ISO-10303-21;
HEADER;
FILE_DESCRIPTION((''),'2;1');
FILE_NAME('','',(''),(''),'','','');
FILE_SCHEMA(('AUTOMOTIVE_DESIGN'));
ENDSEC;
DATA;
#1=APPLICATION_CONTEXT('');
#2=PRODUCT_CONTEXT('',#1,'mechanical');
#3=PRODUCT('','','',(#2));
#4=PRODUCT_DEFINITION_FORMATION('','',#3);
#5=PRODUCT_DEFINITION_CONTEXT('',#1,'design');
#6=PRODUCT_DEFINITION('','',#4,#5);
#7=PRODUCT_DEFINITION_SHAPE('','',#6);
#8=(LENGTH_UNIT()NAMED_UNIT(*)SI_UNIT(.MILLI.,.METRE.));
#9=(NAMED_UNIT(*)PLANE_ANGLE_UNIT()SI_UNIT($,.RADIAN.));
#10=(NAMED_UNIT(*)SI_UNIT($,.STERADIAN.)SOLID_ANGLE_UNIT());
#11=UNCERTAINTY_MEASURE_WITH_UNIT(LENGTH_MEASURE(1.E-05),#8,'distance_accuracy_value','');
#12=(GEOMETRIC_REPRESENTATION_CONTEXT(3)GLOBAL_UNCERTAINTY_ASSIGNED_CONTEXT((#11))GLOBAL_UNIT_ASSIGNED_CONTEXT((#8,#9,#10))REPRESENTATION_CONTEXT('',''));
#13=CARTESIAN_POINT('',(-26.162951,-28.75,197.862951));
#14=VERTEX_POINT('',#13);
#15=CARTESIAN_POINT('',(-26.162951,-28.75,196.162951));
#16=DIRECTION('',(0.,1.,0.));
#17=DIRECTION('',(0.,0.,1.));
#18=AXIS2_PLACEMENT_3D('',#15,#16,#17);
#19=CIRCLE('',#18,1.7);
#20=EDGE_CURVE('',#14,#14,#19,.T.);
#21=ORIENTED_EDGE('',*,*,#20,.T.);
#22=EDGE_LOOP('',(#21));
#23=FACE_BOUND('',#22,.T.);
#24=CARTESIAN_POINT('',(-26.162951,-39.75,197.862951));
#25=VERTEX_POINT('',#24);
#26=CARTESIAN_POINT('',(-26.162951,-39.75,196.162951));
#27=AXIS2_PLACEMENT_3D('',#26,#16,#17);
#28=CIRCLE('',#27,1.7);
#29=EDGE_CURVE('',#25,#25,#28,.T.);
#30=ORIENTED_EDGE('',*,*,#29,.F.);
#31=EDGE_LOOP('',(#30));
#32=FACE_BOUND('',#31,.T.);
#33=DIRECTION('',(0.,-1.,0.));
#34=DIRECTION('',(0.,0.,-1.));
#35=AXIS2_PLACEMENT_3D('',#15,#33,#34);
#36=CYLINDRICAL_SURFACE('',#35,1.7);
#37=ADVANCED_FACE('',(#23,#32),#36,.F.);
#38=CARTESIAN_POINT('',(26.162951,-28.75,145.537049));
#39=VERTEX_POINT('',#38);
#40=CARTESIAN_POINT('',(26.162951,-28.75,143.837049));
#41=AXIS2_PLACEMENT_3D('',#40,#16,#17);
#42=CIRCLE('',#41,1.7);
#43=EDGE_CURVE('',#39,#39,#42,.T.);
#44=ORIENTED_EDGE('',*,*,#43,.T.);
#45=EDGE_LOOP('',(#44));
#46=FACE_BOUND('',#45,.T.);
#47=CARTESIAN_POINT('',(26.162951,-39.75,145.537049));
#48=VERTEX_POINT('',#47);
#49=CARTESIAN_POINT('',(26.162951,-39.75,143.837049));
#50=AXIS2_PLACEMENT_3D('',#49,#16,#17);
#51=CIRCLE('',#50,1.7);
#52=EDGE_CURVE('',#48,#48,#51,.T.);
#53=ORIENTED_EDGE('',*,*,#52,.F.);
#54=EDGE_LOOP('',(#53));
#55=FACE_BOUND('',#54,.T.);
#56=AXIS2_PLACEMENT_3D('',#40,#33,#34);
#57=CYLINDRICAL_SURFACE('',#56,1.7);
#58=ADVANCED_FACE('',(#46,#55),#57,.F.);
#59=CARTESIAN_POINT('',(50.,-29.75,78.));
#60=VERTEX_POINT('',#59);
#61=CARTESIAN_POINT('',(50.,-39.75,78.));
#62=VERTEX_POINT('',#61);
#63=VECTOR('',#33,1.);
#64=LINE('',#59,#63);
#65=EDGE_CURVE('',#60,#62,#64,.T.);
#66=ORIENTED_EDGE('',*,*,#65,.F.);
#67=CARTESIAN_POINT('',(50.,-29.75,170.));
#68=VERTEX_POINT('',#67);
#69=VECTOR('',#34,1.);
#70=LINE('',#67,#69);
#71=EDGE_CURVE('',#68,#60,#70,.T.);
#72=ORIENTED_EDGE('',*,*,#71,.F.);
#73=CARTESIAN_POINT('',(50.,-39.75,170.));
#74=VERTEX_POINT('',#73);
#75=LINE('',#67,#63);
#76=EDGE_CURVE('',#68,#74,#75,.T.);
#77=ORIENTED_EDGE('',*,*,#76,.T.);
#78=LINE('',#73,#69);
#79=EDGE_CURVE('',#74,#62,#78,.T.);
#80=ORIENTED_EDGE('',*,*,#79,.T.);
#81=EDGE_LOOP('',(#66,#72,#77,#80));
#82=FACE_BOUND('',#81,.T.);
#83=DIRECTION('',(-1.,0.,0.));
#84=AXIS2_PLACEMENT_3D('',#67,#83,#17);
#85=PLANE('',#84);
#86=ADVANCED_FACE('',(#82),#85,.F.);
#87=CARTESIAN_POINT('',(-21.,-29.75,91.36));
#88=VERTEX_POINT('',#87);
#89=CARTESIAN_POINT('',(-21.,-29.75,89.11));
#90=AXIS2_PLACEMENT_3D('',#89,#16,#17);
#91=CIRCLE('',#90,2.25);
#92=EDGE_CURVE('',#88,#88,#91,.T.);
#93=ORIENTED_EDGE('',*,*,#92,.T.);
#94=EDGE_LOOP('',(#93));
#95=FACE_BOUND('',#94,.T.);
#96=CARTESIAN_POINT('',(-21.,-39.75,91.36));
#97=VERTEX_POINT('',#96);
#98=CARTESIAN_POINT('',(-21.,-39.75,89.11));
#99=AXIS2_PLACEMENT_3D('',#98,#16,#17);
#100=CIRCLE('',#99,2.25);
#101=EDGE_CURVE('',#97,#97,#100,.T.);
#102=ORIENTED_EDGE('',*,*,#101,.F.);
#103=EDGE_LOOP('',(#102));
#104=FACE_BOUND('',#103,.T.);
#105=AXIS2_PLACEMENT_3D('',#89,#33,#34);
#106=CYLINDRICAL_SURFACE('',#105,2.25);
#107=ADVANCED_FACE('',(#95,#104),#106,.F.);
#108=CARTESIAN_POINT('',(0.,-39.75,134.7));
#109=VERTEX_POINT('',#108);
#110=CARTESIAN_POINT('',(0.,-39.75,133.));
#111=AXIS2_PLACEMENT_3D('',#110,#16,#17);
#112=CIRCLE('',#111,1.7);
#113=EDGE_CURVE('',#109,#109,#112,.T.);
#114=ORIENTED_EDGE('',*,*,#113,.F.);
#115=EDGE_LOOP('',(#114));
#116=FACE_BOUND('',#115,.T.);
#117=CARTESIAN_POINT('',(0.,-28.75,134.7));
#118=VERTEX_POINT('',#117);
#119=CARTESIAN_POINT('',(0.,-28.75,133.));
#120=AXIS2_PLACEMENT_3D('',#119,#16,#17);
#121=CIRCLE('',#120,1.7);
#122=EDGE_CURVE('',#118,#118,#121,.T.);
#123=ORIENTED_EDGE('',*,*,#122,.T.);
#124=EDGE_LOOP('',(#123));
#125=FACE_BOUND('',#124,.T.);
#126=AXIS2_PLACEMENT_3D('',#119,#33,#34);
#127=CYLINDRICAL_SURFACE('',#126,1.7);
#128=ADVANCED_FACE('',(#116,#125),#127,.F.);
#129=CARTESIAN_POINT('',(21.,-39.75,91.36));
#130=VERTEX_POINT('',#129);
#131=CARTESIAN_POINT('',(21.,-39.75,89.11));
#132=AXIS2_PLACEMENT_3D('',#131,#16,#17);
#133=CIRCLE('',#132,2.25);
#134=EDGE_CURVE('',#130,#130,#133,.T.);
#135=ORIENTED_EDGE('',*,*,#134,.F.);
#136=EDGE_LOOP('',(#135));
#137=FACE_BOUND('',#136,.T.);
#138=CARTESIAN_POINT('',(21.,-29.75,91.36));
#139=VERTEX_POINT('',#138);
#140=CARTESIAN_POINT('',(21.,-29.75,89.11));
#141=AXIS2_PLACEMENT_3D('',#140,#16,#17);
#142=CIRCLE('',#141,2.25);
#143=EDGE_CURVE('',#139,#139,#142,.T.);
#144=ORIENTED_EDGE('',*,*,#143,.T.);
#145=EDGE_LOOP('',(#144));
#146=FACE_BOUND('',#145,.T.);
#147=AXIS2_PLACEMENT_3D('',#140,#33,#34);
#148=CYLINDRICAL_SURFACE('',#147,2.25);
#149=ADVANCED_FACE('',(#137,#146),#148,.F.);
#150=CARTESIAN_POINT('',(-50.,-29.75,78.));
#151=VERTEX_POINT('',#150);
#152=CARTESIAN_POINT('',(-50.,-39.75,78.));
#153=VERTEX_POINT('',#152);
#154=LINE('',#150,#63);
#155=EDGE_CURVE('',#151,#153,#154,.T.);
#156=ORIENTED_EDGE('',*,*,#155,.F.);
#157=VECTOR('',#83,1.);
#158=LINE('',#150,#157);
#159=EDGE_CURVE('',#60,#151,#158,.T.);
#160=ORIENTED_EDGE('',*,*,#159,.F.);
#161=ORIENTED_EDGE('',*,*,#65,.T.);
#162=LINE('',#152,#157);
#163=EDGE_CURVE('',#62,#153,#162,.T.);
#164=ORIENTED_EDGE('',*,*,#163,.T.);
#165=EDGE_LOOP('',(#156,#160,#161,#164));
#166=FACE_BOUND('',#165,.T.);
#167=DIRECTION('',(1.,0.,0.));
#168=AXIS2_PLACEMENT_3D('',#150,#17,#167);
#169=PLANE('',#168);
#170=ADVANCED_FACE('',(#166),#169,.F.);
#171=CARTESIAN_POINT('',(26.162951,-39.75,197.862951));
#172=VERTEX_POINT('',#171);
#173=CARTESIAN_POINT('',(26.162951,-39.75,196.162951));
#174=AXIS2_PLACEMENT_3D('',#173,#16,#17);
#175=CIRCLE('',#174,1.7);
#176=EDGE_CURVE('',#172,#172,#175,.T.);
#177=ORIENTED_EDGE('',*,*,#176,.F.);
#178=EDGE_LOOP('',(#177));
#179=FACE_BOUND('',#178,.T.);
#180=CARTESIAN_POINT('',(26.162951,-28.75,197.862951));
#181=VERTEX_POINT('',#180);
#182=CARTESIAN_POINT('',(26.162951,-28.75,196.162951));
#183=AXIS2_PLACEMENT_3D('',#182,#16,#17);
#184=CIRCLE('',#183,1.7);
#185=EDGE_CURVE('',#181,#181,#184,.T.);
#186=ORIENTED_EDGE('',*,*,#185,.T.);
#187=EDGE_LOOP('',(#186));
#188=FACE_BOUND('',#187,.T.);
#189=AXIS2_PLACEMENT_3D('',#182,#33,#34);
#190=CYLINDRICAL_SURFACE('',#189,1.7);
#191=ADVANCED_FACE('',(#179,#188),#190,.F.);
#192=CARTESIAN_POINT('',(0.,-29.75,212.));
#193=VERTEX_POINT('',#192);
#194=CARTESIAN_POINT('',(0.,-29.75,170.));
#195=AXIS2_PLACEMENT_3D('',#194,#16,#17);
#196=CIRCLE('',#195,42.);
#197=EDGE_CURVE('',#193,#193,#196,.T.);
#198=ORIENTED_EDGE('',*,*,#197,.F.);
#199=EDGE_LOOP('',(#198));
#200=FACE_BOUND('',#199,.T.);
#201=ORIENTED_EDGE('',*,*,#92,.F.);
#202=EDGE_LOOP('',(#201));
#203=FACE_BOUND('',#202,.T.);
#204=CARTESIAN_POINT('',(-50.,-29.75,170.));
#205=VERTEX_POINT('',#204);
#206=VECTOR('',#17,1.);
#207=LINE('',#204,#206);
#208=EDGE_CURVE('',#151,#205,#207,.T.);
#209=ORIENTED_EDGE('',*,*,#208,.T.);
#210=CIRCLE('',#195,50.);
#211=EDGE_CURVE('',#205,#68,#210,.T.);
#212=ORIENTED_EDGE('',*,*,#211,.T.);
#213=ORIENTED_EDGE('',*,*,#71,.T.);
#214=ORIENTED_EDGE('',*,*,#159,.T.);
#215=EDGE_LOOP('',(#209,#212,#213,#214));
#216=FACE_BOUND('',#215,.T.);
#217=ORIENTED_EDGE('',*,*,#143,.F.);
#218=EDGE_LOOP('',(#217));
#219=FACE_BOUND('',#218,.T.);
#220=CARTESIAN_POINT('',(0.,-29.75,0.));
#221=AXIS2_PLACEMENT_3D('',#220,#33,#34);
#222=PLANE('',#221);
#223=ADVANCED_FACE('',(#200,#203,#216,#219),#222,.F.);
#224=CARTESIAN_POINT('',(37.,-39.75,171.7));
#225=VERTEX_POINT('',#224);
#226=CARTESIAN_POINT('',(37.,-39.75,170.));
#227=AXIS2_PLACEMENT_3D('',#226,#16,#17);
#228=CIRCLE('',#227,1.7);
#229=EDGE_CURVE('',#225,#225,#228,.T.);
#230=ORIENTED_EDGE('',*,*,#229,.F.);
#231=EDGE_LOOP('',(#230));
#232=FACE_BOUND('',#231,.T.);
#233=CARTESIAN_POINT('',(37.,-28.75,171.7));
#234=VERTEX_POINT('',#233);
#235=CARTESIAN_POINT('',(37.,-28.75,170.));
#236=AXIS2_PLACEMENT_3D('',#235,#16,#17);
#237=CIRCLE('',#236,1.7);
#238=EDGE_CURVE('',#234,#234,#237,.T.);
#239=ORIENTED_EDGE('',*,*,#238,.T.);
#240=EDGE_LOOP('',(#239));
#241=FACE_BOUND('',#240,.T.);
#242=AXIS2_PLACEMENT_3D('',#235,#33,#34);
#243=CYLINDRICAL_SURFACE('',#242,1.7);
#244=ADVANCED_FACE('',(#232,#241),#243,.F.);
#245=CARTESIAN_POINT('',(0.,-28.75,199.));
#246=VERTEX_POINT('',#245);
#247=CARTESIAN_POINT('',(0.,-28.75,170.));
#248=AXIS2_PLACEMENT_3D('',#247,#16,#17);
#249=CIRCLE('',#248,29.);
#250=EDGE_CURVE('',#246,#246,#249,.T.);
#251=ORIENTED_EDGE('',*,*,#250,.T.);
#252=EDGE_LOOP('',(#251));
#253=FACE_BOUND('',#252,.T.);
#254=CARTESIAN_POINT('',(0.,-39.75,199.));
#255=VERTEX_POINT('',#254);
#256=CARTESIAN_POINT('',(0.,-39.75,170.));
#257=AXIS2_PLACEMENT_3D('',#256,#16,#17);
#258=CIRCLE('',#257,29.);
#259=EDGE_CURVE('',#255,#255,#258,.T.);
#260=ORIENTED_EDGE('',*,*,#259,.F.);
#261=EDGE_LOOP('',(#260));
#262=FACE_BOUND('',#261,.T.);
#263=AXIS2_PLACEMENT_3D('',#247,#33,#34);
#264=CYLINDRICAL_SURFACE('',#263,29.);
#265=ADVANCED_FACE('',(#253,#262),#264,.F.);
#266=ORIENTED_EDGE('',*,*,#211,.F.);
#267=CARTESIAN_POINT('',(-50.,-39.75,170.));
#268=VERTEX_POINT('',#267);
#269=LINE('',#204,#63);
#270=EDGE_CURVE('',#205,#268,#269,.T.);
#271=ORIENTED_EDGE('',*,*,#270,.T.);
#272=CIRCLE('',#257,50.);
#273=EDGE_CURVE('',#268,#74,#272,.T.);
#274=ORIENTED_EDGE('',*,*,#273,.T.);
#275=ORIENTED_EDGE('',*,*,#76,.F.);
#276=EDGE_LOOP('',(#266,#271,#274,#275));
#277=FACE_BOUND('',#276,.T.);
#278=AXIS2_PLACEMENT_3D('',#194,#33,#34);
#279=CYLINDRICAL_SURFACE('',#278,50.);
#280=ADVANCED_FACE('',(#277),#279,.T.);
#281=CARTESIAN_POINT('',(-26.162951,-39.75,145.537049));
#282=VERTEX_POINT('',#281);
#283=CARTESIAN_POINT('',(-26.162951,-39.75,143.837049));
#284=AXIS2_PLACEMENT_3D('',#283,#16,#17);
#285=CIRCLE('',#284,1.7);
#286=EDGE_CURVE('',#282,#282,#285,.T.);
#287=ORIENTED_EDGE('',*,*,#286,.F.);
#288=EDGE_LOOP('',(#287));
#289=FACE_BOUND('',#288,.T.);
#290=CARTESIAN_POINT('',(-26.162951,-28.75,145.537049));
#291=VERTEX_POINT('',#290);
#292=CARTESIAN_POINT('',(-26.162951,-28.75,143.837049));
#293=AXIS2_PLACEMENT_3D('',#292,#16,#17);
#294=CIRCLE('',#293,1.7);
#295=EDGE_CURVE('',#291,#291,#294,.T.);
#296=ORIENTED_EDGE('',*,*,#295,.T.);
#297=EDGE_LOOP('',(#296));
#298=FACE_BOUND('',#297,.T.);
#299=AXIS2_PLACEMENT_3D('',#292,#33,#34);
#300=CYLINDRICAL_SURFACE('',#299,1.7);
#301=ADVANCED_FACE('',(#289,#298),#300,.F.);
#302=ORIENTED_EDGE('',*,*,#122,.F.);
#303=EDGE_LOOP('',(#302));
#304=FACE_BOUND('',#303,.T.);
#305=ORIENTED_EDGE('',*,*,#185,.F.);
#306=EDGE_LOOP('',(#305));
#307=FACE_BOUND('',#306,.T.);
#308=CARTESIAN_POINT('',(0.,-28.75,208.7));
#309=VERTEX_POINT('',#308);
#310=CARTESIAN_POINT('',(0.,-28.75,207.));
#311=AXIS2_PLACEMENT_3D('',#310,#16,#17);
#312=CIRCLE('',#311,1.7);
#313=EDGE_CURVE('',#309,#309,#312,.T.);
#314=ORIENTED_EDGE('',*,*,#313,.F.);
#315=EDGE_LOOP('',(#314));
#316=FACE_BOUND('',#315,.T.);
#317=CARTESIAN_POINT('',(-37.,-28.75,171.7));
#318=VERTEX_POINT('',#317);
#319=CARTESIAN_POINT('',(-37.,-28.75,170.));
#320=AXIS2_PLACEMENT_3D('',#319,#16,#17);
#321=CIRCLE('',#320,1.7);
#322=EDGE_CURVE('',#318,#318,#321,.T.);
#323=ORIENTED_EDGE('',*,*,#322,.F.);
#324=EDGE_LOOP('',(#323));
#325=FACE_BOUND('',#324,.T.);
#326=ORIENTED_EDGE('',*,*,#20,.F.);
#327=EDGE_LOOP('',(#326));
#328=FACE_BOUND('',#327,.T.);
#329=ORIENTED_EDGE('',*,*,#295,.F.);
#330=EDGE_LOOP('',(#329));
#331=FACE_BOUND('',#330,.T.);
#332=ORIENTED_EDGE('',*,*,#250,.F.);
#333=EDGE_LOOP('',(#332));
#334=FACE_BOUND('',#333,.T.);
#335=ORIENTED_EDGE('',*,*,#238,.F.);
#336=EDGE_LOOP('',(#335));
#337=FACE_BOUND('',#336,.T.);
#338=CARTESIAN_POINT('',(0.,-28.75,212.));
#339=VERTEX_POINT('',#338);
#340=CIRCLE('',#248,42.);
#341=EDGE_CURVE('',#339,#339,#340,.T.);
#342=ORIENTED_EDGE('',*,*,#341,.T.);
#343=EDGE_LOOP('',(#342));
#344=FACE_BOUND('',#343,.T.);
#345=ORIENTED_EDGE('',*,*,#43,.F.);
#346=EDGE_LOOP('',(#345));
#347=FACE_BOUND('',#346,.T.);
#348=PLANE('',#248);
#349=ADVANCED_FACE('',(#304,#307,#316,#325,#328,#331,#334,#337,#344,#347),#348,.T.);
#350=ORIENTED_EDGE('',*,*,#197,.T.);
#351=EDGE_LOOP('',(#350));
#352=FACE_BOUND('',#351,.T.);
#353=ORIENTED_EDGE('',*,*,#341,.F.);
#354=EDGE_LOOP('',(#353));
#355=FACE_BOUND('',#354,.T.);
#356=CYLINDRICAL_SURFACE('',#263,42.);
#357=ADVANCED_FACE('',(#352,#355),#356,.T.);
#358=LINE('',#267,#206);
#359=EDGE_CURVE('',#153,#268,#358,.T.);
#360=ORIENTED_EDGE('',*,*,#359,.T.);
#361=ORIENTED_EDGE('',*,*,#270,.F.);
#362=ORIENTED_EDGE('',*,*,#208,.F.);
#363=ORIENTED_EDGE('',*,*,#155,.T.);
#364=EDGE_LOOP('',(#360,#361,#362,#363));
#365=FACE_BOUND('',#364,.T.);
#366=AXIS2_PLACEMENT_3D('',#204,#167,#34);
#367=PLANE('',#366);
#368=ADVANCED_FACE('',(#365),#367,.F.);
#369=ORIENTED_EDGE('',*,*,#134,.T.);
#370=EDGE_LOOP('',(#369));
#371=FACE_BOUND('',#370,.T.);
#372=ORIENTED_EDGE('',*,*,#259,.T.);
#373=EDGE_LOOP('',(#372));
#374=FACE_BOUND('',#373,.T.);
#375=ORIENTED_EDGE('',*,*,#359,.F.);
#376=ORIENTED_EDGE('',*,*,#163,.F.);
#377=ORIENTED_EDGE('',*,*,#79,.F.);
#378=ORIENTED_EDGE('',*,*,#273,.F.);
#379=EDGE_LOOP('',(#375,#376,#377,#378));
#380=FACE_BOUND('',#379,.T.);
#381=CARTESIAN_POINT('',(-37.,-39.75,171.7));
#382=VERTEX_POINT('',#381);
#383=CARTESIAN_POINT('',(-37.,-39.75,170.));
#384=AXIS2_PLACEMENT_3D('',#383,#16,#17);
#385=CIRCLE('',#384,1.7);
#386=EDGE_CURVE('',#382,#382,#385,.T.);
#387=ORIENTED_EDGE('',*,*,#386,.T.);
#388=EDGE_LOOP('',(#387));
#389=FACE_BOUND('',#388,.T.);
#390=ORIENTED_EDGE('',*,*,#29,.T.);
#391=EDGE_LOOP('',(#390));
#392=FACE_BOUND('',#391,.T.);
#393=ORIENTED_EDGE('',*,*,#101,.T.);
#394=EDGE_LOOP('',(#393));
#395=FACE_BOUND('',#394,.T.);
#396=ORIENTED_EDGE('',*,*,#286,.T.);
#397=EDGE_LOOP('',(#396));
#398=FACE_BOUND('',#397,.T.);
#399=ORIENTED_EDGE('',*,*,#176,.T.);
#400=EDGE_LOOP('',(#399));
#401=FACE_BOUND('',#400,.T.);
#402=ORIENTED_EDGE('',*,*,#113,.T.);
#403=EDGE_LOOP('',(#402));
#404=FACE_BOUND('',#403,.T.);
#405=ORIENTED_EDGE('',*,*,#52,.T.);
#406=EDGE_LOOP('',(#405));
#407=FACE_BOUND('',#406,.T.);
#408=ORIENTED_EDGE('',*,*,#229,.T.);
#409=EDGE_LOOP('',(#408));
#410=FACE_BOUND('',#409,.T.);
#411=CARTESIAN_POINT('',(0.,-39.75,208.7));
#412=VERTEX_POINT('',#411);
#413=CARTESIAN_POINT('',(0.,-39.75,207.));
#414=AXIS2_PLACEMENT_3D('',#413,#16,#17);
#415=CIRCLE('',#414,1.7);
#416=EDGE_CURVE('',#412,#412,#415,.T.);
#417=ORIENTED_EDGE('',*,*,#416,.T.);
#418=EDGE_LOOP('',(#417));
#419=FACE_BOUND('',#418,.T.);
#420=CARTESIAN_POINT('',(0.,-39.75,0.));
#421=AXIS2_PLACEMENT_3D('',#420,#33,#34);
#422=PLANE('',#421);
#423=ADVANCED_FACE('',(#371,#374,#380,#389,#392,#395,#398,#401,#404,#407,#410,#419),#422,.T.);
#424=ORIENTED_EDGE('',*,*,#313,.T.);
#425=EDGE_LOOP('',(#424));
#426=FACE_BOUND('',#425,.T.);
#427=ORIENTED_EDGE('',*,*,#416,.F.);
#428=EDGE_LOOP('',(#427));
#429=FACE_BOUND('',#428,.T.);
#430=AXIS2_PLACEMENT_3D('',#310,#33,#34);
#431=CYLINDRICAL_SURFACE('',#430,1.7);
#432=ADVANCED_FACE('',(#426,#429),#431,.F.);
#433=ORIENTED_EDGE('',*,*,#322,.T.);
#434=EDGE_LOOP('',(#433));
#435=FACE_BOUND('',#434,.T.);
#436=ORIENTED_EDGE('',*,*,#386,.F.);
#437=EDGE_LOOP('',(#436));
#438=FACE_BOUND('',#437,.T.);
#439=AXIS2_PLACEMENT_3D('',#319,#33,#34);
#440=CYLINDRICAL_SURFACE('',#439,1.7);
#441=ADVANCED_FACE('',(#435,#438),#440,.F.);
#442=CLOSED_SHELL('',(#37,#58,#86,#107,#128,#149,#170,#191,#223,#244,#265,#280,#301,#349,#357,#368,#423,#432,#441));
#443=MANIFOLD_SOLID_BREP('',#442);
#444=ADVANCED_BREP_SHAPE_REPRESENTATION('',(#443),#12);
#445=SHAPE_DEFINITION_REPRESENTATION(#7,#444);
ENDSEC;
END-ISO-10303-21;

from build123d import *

# Parameters (mm, degrees)
PARED_START                  = -39.75
SK_PARED_W                   = 100
SK_PARED_H                   = 92
PARED_DEPTH                  = 10
CABEZA_START                 = -39.75
SK_CABEZA_R                  = 50
CABEZA_DEPTH                 = 10
ASIENTO_1MM_START            = -29.75
SK_ASIENTO_1MM_R             = 42
SK_ASIENTO_1MM_R_2           = 29
ASIENTO_1MM_DEPTH            = 1
PASO_BOSS_J2_START           = -39.75
SK_PASO_BOSS_J2_R            = 29
PASO_BOSS_J2_DEPTH           = 11
PASANTES_M3_ESTATOR_J2_START = -39.75
SK_PASANTES_M3_ESTATOR_J2_R  = 1.7
PASANTES_M3_ESTATOR_J2_DEPTH = 11
PASANTES_M4_ANGULOS_START    = -39.75
SK_PASANTES_M4_ANGULOS_R     = 2.25
PASANTES_M4_ANGULOS_DEPTH    = 10


with BuildPart() as part:
    # Sk_Pared → Pared (new body)
    with BuildSketch(Plane(origin=(0, 0, 0), x_dir=(1, 0, 0), z_dir=(0, 1, 0)).offset(PARED_START)):
        with Locations((0, -124)):
            Rectangle(SK_PARED_W, SK_PARED_H)
    extrude(amount=PARED_DEPTH)

    # Sk_Cabeza → Cabeza (add)
    with BuildSketch(Plane(origin=(0, 0, 0), x_dir=(1, 0, 0), z_dir=(0, 1, 0)).offset(CABEZA_START)):
        with Locations((0, -170)):
            Circle(SK_CABEZA_R)
    extrude(amount=CABEZA_DEPTH)

    # Sk_Asiento_1mm → Asiento_1mm (add)
    with BuildSketch(Plane(origin=(0, 0, 0), x_dir=(1, 0, 0), z_dir=(0, 1, 0)).offset(ASIENTO_1MM_START)):
        with Locations(Location((0, -170, 0), (0, 0, 270))):
            Circle(SK_ASIENTO_1MM_R)
        with Locations(Location((0, -170, 0), (0, 0, 270))):
            Circle(SK_ASIENTO_1MM_R_2, mode=Mode.SUBTRACT)
    extrude(amount=ASIENTO_1MM_DEPTH)

    # Sk_Paso_boss_J2 → Paso_boss_J2 (cut)
    with BuildSketch(Plane(origin=(0, 0, 0), x_dir=(1, 0, 0), z_dir=(0, 1, 0)).offset(PASO_BOSS_J2_START)):
        with Locations(Location((0, -170, 0), (0, 0, 270))):
            Circle(SK_PASO_BOSS_J2_R)
    extrude(amount=PASO_BOSS_J2_DEPTH, mode=Mode.SUBTRACT)

    # Sk_Pasantes_M3_estator_J2 → Pasantes_M3_estator_J2 (cut)
    with BuildSketch(Plane(origin=(0, 0, 0), x_dir=(1, 0, 0), z_dir=(0, 1, 0)).offset(PASANTES_M3_ESTATOR_J2_START)):
        with Locations(Location((37, -170, 0), (0, 0, 270))):
            Circle(SK_PASANTES_M3_ESTATOR_J2_R)
        with Locations(Location((26.162950904, -196.162950904, 0), (0, 0, 270))):
            Circle(SK_PASANTES_M3_ESTATOR_J2_R)
        with Locations(Location((0, -207, 0), (0, 0, 270))):
            Circle(SK_PASANTES_M3_ESTATOR_J2_R)
        with Locations(Location((-26.162950904, -196.162950904, 0), (0, 0, 270))):
            Circle(SK_PASANTES_M3_ESTATOR_J2_R)
        with Locations(Location((-37, -170, 0), (0, 0, 270))):
            Circle(SK_PASANTES_M3_ESTATOR_J2_R)
        with Locations(Location((-26.162950904, -143.837049096, 0), (0, 0, 270))):
            Circle(SK_PASANTES_M3_ESTATOR_J2_R)
        with Locations(Location((0, -133, 0), (0, 0, 270))):
            Circle(SK_PASANTES_M3_ESTATOR_J2_R)
        with Locations(Location((26.162950904, -143.837049096, 0), (0, 0, 270))):
            Circle(SK_PASANTES_M3_ESTATOR_J2_R)
    extrude(amount=PASANTES_M3_ESTATOR_J2_DEPTH, mode=Mode.SUBTRACT)

    # Sk_Pasantes_M4_angulos → Pasantes_M4_angulos (cut)
    with BuildSketch(Plane(origin=(0, 0, 0), x_dir=(1, 0, 0), z_dir=(0, 1, 0)).offset(PASANTES_M4_ANGULOS_START)):
        with Locations(Location((-21, -89.11, 0), (0, 0, 270))):
            Circle(SK_PASANTES_M4_ANGULOS_R)
        with Locations(Location((21, -89.11, 0), (0, 0, 270))):
            Circle(SK_PASANTES_M4_ANGULOS_R)
    extrude(amount=PASANTES_M4_ANGULOS_DEPTH, mode=Mode.SUBTRACT)


solid = part.part
